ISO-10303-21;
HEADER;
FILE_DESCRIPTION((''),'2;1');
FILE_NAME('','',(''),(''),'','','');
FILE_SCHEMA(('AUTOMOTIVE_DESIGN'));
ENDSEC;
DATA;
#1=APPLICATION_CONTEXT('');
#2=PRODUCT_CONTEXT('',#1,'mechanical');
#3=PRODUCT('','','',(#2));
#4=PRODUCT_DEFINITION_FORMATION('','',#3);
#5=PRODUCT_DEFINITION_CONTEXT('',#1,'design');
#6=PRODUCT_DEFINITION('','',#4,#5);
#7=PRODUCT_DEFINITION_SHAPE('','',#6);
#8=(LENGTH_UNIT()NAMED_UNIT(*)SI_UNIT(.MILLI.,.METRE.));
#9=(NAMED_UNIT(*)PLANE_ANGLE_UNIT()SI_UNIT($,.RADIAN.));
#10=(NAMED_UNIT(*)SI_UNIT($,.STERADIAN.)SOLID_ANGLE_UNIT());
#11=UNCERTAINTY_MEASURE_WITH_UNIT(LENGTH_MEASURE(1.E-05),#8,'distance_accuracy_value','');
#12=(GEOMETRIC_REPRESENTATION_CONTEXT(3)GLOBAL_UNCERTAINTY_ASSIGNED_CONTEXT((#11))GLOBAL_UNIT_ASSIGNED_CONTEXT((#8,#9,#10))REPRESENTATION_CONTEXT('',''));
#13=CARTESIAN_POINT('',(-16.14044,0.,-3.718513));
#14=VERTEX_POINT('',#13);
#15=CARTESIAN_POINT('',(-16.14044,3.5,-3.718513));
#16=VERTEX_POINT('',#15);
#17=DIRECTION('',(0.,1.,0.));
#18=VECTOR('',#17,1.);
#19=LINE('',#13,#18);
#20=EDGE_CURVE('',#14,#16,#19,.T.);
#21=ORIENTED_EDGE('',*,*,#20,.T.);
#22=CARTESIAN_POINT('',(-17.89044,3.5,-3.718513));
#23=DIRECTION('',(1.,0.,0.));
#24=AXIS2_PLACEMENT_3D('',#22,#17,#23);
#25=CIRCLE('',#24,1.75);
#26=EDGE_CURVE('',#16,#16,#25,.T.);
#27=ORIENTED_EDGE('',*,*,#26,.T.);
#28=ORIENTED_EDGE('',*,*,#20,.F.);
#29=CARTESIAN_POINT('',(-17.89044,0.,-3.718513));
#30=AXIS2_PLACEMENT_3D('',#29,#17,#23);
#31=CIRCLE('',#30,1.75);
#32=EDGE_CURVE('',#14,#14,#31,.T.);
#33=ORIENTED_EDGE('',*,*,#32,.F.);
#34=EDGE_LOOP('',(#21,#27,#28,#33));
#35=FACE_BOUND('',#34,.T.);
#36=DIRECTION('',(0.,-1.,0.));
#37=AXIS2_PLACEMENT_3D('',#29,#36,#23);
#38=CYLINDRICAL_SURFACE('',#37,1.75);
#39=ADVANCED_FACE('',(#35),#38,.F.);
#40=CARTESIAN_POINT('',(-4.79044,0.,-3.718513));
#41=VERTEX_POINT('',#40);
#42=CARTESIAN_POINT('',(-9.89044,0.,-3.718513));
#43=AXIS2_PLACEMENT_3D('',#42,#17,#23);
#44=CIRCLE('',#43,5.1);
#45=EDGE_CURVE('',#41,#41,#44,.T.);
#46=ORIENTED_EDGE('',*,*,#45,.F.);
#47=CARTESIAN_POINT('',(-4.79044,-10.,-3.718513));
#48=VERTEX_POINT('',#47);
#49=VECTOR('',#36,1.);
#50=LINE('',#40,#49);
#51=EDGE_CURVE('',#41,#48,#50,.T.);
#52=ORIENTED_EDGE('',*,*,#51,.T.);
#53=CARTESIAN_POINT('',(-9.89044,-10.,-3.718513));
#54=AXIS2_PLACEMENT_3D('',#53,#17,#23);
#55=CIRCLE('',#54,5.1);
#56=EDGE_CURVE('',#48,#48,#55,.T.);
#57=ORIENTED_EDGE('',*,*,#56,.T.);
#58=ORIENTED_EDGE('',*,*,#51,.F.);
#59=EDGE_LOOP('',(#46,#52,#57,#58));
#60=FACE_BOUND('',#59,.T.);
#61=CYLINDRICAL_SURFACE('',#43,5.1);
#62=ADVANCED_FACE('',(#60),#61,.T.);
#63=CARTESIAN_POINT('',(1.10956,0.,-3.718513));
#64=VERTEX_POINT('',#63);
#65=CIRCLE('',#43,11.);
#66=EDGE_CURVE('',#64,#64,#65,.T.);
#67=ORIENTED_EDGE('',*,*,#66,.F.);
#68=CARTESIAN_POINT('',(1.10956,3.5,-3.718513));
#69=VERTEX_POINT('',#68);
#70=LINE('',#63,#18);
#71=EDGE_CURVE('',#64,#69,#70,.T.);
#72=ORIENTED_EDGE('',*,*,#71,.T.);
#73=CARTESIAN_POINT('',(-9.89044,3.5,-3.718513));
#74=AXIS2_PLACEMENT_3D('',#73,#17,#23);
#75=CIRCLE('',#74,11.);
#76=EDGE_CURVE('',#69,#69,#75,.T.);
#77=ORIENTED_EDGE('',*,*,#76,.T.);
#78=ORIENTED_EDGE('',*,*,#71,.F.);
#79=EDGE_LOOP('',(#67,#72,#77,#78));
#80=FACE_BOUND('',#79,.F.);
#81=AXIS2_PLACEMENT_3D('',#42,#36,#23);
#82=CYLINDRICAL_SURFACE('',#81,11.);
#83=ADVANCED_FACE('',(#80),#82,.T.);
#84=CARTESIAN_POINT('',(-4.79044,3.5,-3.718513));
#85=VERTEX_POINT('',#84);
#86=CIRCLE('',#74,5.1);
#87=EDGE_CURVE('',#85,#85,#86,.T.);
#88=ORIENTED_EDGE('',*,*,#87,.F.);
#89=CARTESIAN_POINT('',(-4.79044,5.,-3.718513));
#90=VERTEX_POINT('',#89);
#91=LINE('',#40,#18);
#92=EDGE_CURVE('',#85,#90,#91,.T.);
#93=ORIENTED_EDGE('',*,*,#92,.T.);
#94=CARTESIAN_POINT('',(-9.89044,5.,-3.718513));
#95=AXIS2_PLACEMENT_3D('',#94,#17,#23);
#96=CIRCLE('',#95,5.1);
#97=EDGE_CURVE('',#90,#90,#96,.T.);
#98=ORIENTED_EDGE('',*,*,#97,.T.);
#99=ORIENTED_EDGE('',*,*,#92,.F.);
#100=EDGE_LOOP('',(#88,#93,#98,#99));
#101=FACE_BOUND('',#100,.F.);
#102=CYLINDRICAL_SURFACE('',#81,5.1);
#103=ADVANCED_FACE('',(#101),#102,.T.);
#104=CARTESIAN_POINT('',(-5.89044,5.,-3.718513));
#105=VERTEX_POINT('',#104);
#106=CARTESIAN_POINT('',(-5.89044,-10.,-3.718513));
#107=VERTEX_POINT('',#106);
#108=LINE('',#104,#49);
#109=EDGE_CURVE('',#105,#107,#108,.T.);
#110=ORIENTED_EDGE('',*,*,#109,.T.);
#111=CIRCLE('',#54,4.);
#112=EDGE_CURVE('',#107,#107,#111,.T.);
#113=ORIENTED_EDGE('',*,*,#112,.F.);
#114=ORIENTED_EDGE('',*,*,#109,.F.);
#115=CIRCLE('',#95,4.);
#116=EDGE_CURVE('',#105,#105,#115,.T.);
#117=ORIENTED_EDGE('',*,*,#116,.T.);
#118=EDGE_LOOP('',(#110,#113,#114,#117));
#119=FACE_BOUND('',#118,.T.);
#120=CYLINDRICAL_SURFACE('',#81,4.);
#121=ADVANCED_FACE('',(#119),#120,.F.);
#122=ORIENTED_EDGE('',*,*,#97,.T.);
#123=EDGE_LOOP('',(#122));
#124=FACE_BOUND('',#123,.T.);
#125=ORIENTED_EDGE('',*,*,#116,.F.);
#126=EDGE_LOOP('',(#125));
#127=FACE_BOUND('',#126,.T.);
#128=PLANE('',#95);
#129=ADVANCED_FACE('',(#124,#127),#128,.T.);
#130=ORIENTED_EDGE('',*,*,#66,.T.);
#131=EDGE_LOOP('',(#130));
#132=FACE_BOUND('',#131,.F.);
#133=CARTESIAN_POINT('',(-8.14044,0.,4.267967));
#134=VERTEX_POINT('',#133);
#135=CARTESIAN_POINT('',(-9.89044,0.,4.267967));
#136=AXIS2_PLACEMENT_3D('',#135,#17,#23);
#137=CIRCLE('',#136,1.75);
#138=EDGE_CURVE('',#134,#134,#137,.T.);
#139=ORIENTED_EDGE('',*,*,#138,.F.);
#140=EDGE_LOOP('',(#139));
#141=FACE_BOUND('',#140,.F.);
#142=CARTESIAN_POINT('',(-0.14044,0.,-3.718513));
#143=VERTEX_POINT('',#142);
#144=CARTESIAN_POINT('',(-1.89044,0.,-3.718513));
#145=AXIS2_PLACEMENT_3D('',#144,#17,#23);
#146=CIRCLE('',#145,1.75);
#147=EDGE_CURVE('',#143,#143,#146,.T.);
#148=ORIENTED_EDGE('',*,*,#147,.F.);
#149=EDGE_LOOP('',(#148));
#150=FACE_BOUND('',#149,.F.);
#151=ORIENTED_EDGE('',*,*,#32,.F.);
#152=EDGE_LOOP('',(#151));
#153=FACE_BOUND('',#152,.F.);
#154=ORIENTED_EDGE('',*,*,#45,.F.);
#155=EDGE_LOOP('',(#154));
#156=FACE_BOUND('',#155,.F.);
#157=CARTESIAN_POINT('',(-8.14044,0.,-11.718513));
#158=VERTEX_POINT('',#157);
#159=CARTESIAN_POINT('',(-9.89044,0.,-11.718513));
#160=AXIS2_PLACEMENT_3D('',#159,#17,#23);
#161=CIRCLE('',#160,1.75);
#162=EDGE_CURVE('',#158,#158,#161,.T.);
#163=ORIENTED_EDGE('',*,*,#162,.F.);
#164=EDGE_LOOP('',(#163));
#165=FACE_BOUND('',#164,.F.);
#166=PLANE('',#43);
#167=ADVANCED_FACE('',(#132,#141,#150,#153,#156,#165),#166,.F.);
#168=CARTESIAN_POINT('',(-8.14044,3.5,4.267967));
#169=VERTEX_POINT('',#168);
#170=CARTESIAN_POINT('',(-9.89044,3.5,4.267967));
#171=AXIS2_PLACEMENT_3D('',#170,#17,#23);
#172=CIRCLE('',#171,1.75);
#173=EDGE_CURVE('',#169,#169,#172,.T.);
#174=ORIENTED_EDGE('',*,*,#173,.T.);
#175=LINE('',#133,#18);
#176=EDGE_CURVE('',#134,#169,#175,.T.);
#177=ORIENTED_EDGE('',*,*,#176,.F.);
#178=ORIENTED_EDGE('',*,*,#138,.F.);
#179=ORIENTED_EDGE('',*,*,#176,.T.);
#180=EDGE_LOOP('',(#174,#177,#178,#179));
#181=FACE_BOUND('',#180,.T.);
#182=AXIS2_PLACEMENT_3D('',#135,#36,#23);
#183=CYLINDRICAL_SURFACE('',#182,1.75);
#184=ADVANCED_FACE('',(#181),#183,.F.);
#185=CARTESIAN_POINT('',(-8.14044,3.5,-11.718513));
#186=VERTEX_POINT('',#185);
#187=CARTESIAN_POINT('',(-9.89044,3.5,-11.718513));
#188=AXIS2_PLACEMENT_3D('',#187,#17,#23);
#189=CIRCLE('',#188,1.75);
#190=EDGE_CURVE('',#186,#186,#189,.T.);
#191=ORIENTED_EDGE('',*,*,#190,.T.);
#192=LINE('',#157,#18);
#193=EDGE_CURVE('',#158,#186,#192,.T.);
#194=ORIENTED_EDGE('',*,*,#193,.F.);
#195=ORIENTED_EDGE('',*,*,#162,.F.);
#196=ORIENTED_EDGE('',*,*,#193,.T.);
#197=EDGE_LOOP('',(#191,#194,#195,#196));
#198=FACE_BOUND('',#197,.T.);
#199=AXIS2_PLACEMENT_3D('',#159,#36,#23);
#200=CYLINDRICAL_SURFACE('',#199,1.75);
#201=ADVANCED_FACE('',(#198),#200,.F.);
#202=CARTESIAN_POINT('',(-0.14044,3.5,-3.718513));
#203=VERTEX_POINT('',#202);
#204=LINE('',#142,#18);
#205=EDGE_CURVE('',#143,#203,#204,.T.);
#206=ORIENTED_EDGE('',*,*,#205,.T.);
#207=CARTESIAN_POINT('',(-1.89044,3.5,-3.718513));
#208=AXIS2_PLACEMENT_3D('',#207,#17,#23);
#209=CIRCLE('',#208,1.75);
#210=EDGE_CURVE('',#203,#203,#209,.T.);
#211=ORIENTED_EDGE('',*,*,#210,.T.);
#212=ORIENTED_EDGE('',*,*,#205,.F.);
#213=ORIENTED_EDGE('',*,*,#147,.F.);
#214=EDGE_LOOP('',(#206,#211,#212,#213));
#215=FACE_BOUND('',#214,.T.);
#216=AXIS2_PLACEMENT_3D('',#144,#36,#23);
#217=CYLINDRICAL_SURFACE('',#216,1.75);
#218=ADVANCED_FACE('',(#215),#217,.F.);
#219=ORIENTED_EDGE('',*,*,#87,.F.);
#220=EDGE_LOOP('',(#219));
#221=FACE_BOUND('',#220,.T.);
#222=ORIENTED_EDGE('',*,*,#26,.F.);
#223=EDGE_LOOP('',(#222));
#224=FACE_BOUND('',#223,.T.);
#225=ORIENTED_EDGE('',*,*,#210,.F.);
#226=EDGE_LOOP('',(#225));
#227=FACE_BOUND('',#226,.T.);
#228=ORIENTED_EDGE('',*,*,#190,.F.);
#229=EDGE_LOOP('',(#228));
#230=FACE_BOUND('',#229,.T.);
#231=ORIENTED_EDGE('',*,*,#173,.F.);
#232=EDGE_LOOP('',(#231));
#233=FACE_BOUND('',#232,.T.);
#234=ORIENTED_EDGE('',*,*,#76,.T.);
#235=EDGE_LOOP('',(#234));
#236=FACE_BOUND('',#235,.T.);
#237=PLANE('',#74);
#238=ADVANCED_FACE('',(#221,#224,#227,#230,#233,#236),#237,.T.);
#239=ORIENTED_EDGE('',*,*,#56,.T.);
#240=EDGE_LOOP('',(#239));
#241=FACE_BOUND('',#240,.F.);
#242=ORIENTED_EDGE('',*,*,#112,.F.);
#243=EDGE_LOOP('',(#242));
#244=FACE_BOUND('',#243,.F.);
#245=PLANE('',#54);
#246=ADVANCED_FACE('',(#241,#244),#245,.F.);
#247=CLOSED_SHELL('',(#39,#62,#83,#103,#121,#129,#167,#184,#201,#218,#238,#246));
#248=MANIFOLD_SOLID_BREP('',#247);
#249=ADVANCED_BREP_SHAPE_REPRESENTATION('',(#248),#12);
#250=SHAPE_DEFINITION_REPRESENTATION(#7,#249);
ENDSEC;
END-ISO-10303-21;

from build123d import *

# Parameters (mm, degrees)
SKETCH_1_R      = 11
SKETCH_1_R_2    = 1.75
SKETCH_1_R_3    = 4
EXTRUDE_2_DEPTH = 3.5
EXTRUDE_START   = -10
SKETCH_1_4_R    = 5.1
SKETCH_1_4_R_2  = 4
EXTRUDE_3_DEPTH = 10
SKETCH_1_5_R    = 5.1
SKETCH_1_5_R_2  = 4
EXTRUDE_4_DEPTH = 5


with BuildPart() as part:
    # 草图1 → 凸台-拉伸2 (new body)
    with BuildSketch(Plane(origin=(0, 0, 0), x_dir=(1, 0, 0), z_dir=(0, 1, 0))):
        with Locations((-9.890440024, 3.718512798)):
            Circle(SKETCH_1_R)
        with Locations((-9.890440024, -4.267967035)):
            Circle(SKETCH_1_R_2, mode=Mode.SUBTRACT)
        with Locations((-17.890440024, 3.718512798)):
            Circle(SKETCH_1_R_2, mode=Mode.SUBTRACT)
        with Locations((-1.890440024, 3.718512798)):
            Circle(SKETCH_1_R_2, mode=Mode.SUBTRACT)
        with Locations((-9.890440024, 11.718512798)):
            Circle(SKETCH_1_R_2, mode=Mode.SUBTRACT)
        with Locations((-9.890440024, 3.718512798)):
            Circle(SKETCH_1_R_3, mode=Mode.SUBTRACT)
    extrude(amount=EXTRUDE_2_DEPTH)

    # 草图1<4> → 凸台-拉伸3 (add)
    with BuildSketch(Plane(origin=(0, 0, 0), x_dir=(1, 0, 0), z_dir=(0, 1, 0)).offset(EXTRUDE_START)):
        with Locations((-9.890440024, 3.718512798)):
            Circle(SKETCH_1_4_R)
        with Locations((-9.890440024, 3.718512798)):
            Circle(SKETCH_1_4_R_2, mode=Mode.SUBTRACT)
    extrude(amount=EXTRUDE_3_DEPTH)

    # 草图1<5> → 凸台-拉伸4 (add)
    with BuildSketch(Plane(origin=(0, 0, 0), x_dir=(1, 0, 0), z_dir=(0, 1, 0))):
        with Locations((-9.890440024, 3.718512798)):
            Circle(SKETCH_1_5_R)
        with Locations((-9.890440024, 3.718512798)):
            Circle(SKETCH_1_5_R_2, mode=Mode.SUBTRACT)
    extrude(amount=EXTRUDE_4_DEPTH)


solid = part.part
